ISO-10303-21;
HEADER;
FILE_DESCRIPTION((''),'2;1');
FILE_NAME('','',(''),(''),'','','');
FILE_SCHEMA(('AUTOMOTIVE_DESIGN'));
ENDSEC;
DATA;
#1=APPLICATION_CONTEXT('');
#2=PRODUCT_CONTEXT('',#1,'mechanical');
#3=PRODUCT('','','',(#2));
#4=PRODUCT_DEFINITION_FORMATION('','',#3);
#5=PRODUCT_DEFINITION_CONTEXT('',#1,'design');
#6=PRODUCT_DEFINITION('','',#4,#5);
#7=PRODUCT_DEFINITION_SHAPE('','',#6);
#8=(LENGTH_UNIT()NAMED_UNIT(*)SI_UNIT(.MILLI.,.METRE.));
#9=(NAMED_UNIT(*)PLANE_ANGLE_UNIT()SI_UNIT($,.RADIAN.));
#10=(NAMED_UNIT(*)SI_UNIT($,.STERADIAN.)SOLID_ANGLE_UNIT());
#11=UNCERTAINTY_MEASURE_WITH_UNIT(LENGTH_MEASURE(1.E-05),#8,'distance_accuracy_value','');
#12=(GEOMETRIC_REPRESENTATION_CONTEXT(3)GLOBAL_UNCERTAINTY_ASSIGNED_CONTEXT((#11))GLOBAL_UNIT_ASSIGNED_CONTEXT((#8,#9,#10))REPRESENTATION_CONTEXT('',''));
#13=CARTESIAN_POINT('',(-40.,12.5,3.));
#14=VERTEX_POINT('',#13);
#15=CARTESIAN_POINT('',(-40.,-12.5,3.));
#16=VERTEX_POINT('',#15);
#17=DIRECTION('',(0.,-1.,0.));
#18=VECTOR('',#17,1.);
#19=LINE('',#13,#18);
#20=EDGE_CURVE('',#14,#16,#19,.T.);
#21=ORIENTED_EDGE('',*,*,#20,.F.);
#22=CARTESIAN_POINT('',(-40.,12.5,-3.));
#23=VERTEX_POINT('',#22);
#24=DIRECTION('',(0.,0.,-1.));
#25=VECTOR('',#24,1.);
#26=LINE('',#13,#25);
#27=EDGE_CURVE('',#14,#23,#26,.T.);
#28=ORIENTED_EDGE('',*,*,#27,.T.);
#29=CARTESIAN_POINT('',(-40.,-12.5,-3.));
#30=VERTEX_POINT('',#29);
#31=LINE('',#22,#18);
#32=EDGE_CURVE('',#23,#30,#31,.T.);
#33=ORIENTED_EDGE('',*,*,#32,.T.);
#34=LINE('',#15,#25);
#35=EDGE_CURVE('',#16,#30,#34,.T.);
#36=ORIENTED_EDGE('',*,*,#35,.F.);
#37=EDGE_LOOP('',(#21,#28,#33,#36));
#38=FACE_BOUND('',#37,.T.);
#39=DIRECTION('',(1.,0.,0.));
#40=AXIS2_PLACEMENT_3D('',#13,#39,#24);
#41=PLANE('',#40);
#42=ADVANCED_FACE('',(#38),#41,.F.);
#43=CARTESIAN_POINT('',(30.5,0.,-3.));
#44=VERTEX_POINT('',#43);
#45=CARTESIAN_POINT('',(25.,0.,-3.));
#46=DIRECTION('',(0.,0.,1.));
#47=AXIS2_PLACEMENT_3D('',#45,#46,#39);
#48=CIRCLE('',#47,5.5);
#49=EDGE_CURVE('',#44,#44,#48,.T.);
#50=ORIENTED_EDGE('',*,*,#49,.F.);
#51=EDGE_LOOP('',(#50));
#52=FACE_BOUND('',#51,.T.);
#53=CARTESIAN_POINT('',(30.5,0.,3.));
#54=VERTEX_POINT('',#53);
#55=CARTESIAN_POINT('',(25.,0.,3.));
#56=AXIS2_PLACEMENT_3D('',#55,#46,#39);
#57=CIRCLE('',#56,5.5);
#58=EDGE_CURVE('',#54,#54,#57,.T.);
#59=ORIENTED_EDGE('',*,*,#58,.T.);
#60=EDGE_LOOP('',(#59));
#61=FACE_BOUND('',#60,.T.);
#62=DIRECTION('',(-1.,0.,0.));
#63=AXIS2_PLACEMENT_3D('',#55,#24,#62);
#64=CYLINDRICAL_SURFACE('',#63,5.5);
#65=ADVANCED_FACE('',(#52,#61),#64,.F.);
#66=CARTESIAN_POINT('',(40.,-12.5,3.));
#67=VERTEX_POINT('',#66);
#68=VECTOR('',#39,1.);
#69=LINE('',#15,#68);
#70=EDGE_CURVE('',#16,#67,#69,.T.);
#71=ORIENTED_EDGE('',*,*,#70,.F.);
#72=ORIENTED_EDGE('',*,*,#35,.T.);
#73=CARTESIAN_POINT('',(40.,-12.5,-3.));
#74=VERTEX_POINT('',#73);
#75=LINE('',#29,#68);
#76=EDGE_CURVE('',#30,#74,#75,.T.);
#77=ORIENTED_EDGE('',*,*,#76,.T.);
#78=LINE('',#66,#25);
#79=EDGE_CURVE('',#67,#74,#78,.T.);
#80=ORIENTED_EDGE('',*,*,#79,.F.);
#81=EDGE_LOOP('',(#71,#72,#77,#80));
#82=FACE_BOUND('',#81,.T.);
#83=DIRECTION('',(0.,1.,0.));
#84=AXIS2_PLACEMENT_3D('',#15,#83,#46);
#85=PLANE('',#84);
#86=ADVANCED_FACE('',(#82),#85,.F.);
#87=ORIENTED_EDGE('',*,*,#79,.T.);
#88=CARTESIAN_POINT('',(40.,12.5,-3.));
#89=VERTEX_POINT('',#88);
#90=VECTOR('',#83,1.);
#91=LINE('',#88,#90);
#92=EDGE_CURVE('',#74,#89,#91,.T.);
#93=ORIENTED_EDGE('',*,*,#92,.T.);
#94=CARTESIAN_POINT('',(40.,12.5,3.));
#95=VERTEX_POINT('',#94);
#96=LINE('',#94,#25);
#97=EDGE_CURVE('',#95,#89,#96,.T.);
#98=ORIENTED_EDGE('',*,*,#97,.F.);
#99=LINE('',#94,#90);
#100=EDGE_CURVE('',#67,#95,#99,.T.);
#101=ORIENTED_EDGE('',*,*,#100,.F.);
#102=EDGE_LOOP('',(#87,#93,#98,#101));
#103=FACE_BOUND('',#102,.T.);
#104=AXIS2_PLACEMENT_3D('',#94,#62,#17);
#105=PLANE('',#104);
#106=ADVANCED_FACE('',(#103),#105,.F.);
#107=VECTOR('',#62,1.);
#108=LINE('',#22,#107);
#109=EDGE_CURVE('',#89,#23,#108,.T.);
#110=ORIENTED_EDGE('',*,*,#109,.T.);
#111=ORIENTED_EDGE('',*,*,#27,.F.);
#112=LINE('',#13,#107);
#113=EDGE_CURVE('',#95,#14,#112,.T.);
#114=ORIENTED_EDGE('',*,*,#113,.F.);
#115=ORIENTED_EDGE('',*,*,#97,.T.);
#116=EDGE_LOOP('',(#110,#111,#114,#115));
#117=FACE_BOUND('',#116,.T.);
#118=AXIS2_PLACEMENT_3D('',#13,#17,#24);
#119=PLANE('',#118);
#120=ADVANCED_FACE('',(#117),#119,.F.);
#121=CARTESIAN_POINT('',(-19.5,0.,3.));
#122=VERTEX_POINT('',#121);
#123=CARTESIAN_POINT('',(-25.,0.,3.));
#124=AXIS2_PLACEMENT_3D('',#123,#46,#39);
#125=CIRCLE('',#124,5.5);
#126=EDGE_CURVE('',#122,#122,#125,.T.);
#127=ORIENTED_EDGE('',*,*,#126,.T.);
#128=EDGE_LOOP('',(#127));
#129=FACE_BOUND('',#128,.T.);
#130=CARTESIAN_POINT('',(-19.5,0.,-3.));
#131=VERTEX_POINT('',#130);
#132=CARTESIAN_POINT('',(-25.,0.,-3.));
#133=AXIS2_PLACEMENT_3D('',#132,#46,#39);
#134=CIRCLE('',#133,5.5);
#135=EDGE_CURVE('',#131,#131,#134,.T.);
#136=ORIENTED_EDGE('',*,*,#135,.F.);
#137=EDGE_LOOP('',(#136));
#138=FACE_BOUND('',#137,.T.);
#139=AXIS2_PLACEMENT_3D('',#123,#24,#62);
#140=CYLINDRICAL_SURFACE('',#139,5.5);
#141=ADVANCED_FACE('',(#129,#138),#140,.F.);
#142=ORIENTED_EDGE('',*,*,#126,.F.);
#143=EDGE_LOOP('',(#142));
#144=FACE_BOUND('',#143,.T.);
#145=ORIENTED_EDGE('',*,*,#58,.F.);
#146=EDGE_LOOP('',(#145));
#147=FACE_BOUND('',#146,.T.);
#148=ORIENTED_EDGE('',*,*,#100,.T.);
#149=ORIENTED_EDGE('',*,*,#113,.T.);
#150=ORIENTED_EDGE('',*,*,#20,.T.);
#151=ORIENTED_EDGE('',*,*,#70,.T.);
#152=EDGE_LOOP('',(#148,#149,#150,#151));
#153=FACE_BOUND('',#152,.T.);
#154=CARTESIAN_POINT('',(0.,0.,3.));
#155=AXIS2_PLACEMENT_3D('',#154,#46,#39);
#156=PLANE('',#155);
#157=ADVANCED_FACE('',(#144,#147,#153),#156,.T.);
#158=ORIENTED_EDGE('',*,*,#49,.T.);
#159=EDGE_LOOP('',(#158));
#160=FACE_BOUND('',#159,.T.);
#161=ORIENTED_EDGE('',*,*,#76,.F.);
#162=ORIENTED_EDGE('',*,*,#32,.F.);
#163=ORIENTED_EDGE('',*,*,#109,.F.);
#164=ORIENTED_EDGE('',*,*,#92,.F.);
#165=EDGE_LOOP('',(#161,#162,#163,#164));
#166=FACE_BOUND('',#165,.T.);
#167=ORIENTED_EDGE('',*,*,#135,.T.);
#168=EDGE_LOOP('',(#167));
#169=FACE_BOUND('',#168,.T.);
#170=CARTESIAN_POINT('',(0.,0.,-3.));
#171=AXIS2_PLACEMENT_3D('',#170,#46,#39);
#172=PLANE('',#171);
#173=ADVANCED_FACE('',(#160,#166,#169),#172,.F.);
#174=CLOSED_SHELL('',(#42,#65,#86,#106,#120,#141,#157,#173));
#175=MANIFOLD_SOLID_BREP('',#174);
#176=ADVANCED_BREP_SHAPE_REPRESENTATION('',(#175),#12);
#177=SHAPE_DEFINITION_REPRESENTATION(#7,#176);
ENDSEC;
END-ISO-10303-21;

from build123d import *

# Parameters (mm, degrees)
SKIZZE1_W                       = 80
SKIZZE1_H                       = 25
SKIZZE1_R                       = 5.5
AUFSATZ_LINEAR_AUSTRAGEN1_DEPTH = 3


with BuildPart() as part:
    # Skizze1 → Aufsatz-Linear austragen1 (new, symmetric)
    with BuildSketch(Plane.XY):
        Rectangle(SKIZZE1_W, SKIZZE1_H)
        with Locations((-25, 0)):
            Circle(SKIZZE1_R, mode=Mode.SUBTRACT)
        with Locations((25, 0)):
            Circle(SKIZZE1_R, mode=Mode.SUBTRACT)
    extrude(amount=AUFSATZ_LINEAR_AUSTRAGEN1_DEPTH, both=True)


solid = part.part
